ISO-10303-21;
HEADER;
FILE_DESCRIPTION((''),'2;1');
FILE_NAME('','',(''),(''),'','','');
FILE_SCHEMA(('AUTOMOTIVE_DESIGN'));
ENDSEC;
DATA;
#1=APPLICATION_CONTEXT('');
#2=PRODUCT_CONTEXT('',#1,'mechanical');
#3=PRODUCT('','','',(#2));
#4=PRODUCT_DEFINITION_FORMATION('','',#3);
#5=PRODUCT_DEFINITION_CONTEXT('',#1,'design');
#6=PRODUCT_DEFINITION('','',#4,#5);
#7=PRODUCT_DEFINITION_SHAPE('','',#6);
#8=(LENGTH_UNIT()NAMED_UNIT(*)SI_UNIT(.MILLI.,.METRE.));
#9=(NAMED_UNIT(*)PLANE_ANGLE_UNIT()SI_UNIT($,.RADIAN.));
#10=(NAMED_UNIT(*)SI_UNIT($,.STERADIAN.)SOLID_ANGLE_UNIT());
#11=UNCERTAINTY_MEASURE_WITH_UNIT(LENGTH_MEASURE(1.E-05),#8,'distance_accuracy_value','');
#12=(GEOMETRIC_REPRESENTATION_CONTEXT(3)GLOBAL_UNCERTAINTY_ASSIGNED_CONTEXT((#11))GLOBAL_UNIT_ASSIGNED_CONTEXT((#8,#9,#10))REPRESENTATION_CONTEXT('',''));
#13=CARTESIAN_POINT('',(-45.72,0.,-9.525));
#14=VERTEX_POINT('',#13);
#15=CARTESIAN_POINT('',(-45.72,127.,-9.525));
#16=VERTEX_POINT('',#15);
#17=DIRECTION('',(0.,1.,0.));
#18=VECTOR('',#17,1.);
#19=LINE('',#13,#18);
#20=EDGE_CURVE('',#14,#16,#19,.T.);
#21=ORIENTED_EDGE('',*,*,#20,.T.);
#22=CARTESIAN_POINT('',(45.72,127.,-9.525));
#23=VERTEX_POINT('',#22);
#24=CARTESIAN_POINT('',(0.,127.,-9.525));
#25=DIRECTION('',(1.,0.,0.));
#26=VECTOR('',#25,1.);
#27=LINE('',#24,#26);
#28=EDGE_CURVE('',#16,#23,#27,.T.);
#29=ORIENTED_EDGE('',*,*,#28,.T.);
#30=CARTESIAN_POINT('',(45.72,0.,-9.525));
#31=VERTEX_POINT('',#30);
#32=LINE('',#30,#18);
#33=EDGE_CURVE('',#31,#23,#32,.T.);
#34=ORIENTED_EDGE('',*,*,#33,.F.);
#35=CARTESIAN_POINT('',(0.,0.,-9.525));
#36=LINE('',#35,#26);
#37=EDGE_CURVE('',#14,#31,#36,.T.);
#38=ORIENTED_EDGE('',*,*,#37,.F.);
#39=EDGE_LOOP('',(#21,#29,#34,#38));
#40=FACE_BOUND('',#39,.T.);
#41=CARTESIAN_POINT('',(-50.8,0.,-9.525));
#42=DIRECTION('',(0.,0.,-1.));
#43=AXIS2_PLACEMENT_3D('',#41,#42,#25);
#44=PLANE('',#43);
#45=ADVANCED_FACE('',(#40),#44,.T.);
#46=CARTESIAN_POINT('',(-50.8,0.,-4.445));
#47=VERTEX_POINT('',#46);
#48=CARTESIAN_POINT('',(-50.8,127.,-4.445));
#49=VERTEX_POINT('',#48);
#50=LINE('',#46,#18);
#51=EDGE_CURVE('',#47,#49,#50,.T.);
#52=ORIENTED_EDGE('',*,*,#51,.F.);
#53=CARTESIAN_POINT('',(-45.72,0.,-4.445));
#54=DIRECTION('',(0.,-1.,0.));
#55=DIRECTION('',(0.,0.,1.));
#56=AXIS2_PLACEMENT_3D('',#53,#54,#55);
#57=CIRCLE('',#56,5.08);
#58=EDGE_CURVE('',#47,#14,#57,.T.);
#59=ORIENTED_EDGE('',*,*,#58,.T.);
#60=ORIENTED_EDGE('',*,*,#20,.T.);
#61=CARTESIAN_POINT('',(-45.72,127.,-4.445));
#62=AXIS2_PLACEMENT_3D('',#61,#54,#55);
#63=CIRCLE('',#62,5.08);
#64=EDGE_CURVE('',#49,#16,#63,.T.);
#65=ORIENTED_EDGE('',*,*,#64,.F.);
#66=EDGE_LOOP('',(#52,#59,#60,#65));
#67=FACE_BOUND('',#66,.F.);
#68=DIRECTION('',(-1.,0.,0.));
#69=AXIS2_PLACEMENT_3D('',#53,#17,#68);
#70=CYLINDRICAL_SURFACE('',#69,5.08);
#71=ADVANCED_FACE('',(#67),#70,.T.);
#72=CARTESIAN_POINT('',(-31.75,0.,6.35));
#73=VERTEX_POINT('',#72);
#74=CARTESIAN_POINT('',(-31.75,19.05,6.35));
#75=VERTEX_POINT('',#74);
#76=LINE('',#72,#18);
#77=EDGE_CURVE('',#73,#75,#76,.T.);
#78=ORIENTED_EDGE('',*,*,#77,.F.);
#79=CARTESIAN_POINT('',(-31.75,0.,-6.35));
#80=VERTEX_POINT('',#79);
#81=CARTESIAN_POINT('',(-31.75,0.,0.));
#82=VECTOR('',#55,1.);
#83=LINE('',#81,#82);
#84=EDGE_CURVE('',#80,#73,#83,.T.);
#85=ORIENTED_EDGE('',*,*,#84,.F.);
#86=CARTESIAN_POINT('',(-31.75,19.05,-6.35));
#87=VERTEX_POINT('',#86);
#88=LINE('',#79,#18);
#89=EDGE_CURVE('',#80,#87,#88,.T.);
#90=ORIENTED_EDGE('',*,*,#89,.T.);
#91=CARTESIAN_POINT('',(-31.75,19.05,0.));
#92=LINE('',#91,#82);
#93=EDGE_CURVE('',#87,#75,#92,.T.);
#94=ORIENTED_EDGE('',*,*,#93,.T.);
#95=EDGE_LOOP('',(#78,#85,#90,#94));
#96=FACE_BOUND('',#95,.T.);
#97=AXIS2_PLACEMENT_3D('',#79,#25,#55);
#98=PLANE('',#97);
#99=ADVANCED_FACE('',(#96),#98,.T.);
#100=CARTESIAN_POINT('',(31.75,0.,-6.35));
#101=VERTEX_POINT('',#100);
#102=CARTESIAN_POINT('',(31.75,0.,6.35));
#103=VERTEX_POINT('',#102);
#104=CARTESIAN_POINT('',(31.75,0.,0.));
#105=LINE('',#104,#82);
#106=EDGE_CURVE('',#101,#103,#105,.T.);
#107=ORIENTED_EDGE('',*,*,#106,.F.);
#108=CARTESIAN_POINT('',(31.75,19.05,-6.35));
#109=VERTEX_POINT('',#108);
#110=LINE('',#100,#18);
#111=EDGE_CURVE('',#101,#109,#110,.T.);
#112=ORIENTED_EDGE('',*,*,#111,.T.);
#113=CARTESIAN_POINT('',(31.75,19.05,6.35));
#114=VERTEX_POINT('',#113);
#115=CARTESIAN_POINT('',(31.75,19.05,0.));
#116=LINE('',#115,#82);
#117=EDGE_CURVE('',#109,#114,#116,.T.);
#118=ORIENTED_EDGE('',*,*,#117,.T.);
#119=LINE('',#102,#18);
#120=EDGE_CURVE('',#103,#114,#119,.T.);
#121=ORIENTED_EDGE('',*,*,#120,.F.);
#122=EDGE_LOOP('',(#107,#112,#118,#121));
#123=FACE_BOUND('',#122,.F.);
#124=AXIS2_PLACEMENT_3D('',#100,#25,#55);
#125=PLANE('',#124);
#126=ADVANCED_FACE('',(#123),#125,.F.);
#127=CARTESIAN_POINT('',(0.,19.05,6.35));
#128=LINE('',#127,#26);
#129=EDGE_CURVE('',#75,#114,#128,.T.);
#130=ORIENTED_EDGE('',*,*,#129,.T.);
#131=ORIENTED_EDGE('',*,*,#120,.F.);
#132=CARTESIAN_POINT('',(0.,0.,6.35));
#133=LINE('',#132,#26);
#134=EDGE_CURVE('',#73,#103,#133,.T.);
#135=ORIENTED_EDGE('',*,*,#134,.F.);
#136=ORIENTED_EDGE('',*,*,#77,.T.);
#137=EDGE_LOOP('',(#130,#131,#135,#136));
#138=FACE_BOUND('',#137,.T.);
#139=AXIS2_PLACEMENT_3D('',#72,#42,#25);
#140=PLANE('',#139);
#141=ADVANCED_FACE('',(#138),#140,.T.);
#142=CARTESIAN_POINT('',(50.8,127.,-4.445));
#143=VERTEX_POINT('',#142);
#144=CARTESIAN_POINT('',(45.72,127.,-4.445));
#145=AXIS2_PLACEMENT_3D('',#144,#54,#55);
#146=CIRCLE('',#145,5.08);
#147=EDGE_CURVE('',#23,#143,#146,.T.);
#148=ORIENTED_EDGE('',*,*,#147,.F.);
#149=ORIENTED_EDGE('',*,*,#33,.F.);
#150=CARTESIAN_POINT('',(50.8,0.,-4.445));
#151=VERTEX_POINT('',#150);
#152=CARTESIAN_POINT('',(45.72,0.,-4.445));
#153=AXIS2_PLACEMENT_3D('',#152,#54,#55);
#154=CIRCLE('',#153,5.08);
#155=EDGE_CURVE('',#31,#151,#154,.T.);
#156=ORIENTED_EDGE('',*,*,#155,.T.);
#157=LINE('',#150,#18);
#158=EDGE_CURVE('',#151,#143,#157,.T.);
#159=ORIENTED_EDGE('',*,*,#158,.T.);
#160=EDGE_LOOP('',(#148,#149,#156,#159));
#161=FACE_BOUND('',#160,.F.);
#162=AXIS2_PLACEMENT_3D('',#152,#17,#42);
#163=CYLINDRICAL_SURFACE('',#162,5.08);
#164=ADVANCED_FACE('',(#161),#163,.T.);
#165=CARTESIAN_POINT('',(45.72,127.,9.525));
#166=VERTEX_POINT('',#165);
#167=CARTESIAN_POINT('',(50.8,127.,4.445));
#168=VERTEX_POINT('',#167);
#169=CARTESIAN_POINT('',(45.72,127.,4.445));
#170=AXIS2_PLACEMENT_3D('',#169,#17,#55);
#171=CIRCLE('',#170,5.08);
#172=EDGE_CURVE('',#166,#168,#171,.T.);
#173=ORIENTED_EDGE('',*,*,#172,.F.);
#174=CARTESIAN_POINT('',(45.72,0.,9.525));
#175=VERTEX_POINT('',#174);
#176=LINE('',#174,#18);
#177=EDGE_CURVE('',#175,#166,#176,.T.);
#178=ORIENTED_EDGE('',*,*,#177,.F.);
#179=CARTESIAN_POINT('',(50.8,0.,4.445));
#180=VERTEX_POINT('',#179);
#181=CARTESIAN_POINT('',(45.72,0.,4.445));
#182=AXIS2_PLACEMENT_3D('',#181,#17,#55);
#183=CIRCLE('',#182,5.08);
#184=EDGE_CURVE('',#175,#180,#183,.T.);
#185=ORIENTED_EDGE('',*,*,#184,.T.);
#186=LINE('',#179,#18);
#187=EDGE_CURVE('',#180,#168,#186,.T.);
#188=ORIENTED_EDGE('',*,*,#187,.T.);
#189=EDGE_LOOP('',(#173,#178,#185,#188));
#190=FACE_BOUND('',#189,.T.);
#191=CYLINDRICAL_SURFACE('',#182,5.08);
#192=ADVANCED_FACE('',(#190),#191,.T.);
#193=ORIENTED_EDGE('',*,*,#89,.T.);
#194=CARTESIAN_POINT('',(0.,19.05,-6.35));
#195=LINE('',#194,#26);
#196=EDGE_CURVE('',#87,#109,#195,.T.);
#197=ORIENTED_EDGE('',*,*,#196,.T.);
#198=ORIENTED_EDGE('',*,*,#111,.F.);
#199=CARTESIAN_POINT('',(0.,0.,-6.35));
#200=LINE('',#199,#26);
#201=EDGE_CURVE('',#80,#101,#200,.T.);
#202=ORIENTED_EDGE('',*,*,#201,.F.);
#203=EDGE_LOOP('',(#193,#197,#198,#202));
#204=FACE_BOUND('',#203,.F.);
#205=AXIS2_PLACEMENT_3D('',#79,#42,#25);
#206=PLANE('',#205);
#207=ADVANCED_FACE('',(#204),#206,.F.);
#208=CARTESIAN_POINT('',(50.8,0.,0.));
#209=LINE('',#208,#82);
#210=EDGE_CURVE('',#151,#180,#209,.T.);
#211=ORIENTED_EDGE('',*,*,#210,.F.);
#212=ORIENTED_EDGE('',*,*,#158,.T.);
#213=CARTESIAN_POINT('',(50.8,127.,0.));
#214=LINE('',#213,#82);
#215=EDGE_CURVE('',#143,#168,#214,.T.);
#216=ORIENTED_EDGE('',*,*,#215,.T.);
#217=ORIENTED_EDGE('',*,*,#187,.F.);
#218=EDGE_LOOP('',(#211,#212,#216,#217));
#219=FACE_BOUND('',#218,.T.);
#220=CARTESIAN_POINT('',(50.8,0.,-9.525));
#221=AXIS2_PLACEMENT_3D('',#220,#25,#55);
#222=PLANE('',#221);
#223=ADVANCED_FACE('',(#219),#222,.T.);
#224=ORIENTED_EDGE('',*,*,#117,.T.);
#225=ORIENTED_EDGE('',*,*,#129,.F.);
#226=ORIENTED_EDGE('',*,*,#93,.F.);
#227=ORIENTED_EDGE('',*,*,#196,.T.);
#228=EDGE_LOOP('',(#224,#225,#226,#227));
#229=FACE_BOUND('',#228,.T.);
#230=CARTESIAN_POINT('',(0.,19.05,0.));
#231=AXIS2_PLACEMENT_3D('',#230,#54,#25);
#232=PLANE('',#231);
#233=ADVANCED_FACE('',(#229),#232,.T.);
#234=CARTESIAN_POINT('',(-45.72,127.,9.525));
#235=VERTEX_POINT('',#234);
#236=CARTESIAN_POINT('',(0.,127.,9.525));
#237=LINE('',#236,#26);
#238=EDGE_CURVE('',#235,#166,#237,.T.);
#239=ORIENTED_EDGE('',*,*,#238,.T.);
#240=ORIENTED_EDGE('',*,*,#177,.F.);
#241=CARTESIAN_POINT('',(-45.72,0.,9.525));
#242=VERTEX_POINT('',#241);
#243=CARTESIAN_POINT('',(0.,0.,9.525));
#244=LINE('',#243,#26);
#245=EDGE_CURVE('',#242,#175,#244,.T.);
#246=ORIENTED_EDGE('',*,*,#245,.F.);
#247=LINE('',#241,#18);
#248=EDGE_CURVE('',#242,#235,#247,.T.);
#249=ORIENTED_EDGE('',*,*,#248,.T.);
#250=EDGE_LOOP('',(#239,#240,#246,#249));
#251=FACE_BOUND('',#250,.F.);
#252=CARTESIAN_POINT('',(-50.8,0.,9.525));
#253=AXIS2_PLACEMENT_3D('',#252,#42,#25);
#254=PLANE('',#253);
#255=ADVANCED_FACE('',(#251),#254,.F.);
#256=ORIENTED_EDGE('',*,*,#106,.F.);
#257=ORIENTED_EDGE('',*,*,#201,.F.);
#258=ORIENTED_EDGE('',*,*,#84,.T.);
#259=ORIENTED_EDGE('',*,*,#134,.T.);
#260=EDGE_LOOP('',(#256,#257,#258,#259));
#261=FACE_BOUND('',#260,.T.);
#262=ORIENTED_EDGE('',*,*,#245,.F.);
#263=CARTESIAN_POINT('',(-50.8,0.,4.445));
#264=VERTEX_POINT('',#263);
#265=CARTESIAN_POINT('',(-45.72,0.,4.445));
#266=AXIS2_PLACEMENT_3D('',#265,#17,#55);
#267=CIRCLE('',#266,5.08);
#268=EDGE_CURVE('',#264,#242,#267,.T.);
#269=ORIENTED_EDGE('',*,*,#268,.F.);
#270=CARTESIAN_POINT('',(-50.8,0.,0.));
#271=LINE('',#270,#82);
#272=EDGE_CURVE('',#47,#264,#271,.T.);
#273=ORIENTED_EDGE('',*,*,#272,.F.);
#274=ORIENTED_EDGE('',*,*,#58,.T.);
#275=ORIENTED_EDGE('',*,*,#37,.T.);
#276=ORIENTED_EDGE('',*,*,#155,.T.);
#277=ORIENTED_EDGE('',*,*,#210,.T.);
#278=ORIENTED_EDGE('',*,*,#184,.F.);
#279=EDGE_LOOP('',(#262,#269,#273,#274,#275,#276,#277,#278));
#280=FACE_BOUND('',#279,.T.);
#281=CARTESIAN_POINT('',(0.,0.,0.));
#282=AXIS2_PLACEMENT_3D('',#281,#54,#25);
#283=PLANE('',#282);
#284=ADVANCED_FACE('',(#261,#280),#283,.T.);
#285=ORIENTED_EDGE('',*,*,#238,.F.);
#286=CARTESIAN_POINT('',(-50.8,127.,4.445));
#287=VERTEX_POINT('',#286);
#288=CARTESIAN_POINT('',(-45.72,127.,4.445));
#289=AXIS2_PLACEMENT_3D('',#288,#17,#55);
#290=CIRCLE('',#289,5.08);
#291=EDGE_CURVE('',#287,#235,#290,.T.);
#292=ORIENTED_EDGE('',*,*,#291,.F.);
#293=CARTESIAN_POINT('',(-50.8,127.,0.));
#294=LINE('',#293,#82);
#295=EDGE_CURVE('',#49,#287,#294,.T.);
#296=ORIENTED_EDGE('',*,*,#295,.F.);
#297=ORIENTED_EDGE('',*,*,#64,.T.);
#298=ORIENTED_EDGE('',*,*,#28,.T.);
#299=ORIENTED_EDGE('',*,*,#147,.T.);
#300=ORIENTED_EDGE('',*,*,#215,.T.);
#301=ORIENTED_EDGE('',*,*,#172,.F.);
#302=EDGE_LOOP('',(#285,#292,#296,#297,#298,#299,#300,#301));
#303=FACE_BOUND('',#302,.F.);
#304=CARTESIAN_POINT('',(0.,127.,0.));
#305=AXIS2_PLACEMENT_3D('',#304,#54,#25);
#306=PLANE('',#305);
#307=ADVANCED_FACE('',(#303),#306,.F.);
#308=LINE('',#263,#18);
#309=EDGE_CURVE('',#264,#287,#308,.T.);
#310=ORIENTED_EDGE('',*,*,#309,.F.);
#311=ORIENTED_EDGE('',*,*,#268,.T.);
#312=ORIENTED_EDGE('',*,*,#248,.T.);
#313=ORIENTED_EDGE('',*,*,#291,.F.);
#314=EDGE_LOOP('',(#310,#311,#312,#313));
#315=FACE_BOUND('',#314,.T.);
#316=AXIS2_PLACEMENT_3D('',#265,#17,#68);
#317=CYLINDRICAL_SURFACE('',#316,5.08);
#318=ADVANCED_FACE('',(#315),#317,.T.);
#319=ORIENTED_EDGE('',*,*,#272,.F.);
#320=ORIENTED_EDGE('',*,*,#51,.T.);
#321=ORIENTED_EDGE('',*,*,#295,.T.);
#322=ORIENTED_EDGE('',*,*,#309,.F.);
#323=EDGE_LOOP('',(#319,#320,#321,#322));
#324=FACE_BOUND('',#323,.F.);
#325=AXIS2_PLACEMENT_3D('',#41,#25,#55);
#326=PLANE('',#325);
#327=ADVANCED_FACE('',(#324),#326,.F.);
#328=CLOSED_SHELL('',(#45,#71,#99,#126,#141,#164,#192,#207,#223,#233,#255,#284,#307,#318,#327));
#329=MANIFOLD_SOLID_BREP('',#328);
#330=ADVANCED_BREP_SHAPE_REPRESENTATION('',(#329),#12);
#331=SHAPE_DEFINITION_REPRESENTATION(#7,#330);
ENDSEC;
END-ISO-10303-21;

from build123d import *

# Parameters (mm, degrees)
F0_W     = 101.6
F0_H     = 19.05
F2_DEPTH = 127
F1_W     = 63.5
F1_H     = 12.7
F3_DEPTH = 19.05
F4_R     = 5.08


with BuildPart() as f2:
    # F0 (on Front) → F2 (new body)
    with BuildSketch(Plane.XZ):
        Rectangle(F0_W, F0_H)
    extrude(amount=-F2_DEPTH)

    # F1 (on face) → F3 (cut)
    with BuildSketch(Plane.XZ):
        Rectangle(F1_W, F1_H)
    extrude(amount=-F3_DEPTH, mode=Mode.SUBTRACT)

    # F4
    f4_edges = [f2.edges().sort_by_distance(p)[0] for p in [
        (-50.8, 63.5, 9.525),
        (50.8, 63.5, 9.525),
        (50.8, 63.5, -9.525),
        (-50.8, 63.5, -9.525),
    ]]
    fillet(f4_edges, radius=F4_R)


solid = f2.part
